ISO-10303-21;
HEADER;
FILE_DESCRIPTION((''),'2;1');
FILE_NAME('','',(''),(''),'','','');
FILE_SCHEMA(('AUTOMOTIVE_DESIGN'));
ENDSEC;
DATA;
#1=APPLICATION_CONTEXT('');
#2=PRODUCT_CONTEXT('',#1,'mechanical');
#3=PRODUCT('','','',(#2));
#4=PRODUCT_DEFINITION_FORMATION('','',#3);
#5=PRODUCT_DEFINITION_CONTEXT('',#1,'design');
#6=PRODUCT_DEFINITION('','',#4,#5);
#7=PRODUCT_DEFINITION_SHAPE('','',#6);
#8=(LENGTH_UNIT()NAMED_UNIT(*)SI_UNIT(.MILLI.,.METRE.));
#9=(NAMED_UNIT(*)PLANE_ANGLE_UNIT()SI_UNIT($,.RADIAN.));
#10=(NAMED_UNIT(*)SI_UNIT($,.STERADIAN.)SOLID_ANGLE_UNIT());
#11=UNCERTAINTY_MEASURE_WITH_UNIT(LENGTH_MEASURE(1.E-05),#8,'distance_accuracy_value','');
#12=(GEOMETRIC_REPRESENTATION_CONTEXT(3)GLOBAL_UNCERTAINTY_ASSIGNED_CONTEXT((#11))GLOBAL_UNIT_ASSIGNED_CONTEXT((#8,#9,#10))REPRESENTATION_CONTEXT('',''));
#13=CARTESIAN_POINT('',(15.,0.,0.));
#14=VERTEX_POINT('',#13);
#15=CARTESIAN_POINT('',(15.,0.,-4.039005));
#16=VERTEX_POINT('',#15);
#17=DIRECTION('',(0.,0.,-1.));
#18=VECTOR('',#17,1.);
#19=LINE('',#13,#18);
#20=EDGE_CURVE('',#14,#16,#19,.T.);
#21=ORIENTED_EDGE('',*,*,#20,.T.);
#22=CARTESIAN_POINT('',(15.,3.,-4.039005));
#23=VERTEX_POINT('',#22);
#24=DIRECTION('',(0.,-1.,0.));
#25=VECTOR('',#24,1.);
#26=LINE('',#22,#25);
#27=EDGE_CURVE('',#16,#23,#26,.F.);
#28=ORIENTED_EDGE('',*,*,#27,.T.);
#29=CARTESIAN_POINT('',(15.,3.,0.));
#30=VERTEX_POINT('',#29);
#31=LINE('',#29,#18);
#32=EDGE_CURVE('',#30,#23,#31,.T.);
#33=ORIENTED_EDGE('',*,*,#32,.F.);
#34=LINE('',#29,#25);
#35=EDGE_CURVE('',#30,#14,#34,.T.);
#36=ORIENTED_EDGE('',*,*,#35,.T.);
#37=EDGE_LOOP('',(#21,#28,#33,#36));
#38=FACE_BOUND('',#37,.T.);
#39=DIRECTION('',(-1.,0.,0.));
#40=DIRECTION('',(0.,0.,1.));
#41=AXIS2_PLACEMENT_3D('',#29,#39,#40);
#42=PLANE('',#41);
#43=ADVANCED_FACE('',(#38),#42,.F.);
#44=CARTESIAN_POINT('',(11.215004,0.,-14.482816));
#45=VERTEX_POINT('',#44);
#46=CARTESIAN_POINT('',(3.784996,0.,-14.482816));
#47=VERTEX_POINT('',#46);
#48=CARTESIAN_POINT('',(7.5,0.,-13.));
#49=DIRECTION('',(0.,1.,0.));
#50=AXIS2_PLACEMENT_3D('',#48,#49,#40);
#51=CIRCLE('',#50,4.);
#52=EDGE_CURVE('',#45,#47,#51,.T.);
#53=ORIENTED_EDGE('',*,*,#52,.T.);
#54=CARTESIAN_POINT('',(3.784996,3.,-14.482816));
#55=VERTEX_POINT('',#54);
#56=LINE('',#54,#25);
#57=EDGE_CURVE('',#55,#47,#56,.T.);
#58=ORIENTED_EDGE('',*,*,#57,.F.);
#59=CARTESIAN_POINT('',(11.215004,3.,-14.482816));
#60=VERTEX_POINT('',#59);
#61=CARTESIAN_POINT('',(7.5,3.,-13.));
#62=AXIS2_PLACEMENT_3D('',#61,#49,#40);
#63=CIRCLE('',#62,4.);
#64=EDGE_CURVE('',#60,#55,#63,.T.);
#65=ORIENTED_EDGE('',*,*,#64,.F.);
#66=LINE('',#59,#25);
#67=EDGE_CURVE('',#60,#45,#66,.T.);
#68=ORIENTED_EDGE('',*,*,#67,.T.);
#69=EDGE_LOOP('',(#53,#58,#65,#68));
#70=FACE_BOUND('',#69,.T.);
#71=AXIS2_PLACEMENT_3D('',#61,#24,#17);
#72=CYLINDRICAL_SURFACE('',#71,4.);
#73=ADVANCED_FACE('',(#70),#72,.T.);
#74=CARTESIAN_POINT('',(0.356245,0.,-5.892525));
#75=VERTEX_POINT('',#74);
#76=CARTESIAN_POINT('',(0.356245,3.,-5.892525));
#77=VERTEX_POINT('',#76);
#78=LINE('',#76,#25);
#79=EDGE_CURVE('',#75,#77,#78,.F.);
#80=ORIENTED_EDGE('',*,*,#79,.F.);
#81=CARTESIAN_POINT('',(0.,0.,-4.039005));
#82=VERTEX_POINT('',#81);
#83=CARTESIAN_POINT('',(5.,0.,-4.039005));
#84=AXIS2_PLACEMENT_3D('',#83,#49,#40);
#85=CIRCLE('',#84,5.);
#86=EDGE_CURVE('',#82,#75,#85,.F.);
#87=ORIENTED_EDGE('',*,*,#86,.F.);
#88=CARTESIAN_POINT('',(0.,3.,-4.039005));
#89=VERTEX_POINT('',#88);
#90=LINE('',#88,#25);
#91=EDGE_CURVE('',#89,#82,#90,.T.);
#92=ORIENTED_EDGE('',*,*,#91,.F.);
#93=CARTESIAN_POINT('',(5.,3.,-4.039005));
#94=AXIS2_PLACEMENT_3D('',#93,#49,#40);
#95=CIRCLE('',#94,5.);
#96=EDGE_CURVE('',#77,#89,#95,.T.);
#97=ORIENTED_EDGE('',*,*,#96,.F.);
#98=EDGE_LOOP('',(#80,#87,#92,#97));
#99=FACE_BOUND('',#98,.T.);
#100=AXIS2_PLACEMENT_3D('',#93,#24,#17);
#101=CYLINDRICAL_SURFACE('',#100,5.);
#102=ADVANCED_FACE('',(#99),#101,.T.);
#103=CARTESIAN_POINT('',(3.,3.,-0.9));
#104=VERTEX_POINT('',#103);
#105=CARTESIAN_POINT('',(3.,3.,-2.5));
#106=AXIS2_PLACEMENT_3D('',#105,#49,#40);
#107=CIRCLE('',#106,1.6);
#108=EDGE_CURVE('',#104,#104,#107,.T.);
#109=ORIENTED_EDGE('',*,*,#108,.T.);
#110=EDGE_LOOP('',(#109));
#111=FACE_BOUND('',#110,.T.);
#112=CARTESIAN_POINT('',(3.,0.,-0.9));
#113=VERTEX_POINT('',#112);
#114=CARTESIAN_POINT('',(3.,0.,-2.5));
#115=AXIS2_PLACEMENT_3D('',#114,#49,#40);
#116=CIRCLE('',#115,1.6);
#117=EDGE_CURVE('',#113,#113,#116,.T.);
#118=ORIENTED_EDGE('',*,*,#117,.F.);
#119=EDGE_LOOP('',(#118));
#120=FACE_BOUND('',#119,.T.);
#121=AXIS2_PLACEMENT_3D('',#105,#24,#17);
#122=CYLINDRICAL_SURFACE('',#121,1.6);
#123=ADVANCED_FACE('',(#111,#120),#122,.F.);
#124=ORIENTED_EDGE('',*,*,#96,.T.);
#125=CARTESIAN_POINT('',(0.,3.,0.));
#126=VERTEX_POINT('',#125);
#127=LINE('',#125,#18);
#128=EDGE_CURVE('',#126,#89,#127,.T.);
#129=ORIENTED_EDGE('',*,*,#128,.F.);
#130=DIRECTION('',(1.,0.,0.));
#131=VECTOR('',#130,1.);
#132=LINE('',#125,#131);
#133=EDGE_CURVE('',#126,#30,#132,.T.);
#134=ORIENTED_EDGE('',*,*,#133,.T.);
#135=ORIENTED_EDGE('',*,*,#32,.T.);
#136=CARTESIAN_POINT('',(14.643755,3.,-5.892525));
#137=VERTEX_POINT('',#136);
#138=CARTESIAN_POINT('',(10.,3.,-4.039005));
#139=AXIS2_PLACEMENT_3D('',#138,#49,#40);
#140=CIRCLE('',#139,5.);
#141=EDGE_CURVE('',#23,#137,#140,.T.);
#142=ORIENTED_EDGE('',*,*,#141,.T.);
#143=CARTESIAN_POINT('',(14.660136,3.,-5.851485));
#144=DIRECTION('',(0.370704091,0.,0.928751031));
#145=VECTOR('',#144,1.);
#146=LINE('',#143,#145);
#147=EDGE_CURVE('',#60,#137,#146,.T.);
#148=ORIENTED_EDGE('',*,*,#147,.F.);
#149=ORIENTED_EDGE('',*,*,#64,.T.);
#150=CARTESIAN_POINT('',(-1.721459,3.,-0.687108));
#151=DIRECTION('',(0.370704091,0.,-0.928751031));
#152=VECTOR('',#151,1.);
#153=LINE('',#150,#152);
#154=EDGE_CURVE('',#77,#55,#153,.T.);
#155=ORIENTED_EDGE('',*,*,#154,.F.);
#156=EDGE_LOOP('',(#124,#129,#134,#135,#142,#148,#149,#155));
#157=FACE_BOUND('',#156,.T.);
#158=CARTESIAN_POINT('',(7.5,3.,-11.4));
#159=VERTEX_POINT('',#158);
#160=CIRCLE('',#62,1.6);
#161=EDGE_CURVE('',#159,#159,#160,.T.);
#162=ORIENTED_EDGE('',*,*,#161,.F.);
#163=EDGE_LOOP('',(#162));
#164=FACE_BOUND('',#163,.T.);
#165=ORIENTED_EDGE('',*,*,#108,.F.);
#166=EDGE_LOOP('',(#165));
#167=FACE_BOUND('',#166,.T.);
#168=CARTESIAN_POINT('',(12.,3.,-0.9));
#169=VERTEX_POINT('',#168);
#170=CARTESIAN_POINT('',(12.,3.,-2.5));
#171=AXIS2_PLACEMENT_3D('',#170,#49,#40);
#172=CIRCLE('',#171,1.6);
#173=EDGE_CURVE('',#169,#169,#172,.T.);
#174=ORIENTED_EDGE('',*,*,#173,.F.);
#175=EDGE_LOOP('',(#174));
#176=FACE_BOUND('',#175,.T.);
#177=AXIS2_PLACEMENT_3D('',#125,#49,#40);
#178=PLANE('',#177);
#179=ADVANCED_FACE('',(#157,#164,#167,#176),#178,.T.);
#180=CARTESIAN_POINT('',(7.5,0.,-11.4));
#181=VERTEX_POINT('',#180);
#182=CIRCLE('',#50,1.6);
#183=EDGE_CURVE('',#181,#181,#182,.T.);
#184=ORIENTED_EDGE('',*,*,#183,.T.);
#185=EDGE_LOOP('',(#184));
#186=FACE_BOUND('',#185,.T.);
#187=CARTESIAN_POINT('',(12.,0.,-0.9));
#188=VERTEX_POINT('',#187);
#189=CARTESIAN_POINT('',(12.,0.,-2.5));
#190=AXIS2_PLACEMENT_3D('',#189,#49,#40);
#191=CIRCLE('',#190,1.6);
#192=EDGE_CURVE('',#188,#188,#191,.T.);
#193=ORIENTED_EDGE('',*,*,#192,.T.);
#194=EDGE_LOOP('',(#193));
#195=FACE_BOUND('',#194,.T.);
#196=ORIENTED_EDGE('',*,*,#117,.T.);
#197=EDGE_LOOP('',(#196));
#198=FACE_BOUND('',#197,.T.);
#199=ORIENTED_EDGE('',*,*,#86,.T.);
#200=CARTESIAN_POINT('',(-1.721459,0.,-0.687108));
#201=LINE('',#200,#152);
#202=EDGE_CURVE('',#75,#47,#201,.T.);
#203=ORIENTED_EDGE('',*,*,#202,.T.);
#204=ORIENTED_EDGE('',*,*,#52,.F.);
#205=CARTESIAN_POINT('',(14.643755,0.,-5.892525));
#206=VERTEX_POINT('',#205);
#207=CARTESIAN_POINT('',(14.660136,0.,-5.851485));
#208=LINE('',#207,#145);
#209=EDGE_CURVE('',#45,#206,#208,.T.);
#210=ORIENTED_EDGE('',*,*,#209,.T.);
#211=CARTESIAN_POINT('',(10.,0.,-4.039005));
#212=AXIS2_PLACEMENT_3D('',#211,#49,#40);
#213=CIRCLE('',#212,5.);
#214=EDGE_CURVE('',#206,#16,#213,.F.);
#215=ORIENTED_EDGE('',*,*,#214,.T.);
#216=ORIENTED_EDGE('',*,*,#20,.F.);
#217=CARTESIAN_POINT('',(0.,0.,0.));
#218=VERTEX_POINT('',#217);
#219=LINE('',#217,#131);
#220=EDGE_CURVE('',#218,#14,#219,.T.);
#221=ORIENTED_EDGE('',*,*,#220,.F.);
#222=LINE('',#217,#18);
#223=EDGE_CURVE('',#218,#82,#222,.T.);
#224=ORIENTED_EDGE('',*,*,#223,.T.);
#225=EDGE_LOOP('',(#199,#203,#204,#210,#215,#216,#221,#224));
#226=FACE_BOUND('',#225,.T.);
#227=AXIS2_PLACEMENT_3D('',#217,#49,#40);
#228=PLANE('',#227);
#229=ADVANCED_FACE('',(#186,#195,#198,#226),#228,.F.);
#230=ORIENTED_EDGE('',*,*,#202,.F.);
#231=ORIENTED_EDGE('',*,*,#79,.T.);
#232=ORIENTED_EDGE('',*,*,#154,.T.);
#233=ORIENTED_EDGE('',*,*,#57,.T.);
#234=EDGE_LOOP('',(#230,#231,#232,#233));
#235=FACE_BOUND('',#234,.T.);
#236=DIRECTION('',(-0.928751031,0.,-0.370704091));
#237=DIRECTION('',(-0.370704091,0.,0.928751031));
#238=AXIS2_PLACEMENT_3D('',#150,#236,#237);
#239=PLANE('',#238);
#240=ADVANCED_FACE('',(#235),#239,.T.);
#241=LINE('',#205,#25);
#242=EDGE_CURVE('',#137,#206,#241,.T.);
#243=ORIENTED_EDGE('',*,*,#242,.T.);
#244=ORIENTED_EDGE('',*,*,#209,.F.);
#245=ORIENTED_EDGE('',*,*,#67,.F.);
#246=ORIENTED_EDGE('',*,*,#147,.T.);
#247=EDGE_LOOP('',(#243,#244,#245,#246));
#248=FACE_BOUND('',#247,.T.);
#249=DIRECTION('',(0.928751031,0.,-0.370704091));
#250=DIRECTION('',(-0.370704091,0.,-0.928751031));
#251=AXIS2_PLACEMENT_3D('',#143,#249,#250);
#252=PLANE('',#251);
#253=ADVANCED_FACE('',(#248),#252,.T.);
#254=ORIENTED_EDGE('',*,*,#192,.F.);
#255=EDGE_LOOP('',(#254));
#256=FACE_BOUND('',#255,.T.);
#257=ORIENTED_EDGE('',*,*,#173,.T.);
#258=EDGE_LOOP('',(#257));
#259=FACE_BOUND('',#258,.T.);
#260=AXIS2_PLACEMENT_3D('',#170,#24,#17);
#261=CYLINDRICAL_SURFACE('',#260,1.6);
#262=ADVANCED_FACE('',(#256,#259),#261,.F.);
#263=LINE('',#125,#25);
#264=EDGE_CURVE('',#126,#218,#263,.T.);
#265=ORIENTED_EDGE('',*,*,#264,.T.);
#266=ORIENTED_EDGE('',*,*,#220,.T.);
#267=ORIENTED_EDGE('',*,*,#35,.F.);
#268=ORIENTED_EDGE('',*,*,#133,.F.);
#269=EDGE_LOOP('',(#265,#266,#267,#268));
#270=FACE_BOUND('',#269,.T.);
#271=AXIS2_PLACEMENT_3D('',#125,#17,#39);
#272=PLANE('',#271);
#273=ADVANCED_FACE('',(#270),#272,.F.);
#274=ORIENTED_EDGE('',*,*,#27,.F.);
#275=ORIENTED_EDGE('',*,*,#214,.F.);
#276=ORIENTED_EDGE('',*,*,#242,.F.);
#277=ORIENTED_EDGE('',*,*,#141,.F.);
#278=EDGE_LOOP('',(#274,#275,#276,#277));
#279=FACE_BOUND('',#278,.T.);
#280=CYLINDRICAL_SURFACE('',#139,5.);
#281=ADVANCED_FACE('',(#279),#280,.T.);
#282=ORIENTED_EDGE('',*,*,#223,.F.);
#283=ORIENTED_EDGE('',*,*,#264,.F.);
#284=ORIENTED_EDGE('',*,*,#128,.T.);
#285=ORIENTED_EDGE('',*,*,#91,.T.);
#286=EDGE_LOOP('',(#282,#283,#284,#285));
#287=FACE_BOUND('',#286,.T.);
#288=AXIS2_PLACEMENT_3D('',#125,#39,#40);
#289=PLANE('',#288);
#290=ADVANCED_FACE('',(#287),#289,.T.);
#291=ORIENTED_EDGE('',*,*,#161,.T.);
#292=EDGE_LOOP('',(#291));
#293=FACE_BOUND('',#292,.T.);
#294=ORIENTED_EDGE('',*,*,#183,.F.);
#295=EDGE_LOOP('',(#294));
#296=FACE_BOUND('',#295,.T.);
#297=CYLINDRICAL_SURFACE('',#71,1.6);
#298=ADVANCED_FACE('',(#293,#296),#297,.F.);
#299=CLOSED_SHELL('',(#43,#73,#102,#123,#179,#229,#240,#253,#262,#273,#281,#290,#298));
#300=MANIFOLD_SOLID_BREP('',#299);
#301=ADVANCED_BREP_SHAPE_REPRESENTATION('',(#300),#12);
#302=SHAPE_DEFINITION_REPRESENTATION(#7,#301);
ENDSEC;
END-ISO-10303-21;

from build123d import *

# Parameters (mm, degrees)
SKETCH1_R           = 1.6
SKETCH1_R_2         = 4
BOSS_EXTRUDE1_DEPTH = 3
FILLET1_R           = 5


with BuildPart() as part:
    # Sketch1 → Boss-Extrude1 (new body)
    # profile 1 of 2: a face of its own
    with BuildSketch(Plane(origin=(0, 0, 0), x_dir=(1, 0, 0), z_dir=(0, 1, 0))):
        with BuildLine():
            Line((0, 5), (0, 0))
            Line((0, 0), (15, 0))
            Line((15, 0), (15, 5))
            Line((15, 5), (11.215004122, 14.482816365))
            ThreePointArc((11.215004122, 14.482816365), (11.428104918, 13.754977983), (11.5, 13))
            ThreePointArc((11.5, 13), (6.745022017, 9.071895082), (3.784995878, 14.482816365))
            Line((3.784995878, 14.482816365), (0, 5))
        make_face()
        with Locations(Location((3, 2.5, 0), (0, 0, 270))):
            Circle(SKETCH1_R, mode=Mode.SUBTRACT)
        with Locations(Location((12, 2.5, 0), (0, 0, 270))):
            Circle(SKETCH1_R, mode=Mode.SUBTRACT)
    # profile 2 of 2: a face of its own
    with BuildSketch(Plane(origin=(0, 0, 0), x_dir=(1, 0, 0), z_dir=(0, 1, 0))):
        with Locations((7.5, 13)):
            Circle(SKETCH1_R_2)
        with Locations(Location((7.5, 13, 0), (0, 0, 270))):
            Circle(SKETCH1_R, mode=Mode.SUBTRACT)
    extrude(amount=BOSS_EXTRUDE1_DEPTH)

    # Fillet1
    fillet1_edges = [part.edges().sort_by_distance(p)[0] for p in [
        (15, 1.5, -5),
        (0, 1.5, -5),
    ]]
    fillet(fillet1_edges, radius=FILLET1_R)


solid = part.part
